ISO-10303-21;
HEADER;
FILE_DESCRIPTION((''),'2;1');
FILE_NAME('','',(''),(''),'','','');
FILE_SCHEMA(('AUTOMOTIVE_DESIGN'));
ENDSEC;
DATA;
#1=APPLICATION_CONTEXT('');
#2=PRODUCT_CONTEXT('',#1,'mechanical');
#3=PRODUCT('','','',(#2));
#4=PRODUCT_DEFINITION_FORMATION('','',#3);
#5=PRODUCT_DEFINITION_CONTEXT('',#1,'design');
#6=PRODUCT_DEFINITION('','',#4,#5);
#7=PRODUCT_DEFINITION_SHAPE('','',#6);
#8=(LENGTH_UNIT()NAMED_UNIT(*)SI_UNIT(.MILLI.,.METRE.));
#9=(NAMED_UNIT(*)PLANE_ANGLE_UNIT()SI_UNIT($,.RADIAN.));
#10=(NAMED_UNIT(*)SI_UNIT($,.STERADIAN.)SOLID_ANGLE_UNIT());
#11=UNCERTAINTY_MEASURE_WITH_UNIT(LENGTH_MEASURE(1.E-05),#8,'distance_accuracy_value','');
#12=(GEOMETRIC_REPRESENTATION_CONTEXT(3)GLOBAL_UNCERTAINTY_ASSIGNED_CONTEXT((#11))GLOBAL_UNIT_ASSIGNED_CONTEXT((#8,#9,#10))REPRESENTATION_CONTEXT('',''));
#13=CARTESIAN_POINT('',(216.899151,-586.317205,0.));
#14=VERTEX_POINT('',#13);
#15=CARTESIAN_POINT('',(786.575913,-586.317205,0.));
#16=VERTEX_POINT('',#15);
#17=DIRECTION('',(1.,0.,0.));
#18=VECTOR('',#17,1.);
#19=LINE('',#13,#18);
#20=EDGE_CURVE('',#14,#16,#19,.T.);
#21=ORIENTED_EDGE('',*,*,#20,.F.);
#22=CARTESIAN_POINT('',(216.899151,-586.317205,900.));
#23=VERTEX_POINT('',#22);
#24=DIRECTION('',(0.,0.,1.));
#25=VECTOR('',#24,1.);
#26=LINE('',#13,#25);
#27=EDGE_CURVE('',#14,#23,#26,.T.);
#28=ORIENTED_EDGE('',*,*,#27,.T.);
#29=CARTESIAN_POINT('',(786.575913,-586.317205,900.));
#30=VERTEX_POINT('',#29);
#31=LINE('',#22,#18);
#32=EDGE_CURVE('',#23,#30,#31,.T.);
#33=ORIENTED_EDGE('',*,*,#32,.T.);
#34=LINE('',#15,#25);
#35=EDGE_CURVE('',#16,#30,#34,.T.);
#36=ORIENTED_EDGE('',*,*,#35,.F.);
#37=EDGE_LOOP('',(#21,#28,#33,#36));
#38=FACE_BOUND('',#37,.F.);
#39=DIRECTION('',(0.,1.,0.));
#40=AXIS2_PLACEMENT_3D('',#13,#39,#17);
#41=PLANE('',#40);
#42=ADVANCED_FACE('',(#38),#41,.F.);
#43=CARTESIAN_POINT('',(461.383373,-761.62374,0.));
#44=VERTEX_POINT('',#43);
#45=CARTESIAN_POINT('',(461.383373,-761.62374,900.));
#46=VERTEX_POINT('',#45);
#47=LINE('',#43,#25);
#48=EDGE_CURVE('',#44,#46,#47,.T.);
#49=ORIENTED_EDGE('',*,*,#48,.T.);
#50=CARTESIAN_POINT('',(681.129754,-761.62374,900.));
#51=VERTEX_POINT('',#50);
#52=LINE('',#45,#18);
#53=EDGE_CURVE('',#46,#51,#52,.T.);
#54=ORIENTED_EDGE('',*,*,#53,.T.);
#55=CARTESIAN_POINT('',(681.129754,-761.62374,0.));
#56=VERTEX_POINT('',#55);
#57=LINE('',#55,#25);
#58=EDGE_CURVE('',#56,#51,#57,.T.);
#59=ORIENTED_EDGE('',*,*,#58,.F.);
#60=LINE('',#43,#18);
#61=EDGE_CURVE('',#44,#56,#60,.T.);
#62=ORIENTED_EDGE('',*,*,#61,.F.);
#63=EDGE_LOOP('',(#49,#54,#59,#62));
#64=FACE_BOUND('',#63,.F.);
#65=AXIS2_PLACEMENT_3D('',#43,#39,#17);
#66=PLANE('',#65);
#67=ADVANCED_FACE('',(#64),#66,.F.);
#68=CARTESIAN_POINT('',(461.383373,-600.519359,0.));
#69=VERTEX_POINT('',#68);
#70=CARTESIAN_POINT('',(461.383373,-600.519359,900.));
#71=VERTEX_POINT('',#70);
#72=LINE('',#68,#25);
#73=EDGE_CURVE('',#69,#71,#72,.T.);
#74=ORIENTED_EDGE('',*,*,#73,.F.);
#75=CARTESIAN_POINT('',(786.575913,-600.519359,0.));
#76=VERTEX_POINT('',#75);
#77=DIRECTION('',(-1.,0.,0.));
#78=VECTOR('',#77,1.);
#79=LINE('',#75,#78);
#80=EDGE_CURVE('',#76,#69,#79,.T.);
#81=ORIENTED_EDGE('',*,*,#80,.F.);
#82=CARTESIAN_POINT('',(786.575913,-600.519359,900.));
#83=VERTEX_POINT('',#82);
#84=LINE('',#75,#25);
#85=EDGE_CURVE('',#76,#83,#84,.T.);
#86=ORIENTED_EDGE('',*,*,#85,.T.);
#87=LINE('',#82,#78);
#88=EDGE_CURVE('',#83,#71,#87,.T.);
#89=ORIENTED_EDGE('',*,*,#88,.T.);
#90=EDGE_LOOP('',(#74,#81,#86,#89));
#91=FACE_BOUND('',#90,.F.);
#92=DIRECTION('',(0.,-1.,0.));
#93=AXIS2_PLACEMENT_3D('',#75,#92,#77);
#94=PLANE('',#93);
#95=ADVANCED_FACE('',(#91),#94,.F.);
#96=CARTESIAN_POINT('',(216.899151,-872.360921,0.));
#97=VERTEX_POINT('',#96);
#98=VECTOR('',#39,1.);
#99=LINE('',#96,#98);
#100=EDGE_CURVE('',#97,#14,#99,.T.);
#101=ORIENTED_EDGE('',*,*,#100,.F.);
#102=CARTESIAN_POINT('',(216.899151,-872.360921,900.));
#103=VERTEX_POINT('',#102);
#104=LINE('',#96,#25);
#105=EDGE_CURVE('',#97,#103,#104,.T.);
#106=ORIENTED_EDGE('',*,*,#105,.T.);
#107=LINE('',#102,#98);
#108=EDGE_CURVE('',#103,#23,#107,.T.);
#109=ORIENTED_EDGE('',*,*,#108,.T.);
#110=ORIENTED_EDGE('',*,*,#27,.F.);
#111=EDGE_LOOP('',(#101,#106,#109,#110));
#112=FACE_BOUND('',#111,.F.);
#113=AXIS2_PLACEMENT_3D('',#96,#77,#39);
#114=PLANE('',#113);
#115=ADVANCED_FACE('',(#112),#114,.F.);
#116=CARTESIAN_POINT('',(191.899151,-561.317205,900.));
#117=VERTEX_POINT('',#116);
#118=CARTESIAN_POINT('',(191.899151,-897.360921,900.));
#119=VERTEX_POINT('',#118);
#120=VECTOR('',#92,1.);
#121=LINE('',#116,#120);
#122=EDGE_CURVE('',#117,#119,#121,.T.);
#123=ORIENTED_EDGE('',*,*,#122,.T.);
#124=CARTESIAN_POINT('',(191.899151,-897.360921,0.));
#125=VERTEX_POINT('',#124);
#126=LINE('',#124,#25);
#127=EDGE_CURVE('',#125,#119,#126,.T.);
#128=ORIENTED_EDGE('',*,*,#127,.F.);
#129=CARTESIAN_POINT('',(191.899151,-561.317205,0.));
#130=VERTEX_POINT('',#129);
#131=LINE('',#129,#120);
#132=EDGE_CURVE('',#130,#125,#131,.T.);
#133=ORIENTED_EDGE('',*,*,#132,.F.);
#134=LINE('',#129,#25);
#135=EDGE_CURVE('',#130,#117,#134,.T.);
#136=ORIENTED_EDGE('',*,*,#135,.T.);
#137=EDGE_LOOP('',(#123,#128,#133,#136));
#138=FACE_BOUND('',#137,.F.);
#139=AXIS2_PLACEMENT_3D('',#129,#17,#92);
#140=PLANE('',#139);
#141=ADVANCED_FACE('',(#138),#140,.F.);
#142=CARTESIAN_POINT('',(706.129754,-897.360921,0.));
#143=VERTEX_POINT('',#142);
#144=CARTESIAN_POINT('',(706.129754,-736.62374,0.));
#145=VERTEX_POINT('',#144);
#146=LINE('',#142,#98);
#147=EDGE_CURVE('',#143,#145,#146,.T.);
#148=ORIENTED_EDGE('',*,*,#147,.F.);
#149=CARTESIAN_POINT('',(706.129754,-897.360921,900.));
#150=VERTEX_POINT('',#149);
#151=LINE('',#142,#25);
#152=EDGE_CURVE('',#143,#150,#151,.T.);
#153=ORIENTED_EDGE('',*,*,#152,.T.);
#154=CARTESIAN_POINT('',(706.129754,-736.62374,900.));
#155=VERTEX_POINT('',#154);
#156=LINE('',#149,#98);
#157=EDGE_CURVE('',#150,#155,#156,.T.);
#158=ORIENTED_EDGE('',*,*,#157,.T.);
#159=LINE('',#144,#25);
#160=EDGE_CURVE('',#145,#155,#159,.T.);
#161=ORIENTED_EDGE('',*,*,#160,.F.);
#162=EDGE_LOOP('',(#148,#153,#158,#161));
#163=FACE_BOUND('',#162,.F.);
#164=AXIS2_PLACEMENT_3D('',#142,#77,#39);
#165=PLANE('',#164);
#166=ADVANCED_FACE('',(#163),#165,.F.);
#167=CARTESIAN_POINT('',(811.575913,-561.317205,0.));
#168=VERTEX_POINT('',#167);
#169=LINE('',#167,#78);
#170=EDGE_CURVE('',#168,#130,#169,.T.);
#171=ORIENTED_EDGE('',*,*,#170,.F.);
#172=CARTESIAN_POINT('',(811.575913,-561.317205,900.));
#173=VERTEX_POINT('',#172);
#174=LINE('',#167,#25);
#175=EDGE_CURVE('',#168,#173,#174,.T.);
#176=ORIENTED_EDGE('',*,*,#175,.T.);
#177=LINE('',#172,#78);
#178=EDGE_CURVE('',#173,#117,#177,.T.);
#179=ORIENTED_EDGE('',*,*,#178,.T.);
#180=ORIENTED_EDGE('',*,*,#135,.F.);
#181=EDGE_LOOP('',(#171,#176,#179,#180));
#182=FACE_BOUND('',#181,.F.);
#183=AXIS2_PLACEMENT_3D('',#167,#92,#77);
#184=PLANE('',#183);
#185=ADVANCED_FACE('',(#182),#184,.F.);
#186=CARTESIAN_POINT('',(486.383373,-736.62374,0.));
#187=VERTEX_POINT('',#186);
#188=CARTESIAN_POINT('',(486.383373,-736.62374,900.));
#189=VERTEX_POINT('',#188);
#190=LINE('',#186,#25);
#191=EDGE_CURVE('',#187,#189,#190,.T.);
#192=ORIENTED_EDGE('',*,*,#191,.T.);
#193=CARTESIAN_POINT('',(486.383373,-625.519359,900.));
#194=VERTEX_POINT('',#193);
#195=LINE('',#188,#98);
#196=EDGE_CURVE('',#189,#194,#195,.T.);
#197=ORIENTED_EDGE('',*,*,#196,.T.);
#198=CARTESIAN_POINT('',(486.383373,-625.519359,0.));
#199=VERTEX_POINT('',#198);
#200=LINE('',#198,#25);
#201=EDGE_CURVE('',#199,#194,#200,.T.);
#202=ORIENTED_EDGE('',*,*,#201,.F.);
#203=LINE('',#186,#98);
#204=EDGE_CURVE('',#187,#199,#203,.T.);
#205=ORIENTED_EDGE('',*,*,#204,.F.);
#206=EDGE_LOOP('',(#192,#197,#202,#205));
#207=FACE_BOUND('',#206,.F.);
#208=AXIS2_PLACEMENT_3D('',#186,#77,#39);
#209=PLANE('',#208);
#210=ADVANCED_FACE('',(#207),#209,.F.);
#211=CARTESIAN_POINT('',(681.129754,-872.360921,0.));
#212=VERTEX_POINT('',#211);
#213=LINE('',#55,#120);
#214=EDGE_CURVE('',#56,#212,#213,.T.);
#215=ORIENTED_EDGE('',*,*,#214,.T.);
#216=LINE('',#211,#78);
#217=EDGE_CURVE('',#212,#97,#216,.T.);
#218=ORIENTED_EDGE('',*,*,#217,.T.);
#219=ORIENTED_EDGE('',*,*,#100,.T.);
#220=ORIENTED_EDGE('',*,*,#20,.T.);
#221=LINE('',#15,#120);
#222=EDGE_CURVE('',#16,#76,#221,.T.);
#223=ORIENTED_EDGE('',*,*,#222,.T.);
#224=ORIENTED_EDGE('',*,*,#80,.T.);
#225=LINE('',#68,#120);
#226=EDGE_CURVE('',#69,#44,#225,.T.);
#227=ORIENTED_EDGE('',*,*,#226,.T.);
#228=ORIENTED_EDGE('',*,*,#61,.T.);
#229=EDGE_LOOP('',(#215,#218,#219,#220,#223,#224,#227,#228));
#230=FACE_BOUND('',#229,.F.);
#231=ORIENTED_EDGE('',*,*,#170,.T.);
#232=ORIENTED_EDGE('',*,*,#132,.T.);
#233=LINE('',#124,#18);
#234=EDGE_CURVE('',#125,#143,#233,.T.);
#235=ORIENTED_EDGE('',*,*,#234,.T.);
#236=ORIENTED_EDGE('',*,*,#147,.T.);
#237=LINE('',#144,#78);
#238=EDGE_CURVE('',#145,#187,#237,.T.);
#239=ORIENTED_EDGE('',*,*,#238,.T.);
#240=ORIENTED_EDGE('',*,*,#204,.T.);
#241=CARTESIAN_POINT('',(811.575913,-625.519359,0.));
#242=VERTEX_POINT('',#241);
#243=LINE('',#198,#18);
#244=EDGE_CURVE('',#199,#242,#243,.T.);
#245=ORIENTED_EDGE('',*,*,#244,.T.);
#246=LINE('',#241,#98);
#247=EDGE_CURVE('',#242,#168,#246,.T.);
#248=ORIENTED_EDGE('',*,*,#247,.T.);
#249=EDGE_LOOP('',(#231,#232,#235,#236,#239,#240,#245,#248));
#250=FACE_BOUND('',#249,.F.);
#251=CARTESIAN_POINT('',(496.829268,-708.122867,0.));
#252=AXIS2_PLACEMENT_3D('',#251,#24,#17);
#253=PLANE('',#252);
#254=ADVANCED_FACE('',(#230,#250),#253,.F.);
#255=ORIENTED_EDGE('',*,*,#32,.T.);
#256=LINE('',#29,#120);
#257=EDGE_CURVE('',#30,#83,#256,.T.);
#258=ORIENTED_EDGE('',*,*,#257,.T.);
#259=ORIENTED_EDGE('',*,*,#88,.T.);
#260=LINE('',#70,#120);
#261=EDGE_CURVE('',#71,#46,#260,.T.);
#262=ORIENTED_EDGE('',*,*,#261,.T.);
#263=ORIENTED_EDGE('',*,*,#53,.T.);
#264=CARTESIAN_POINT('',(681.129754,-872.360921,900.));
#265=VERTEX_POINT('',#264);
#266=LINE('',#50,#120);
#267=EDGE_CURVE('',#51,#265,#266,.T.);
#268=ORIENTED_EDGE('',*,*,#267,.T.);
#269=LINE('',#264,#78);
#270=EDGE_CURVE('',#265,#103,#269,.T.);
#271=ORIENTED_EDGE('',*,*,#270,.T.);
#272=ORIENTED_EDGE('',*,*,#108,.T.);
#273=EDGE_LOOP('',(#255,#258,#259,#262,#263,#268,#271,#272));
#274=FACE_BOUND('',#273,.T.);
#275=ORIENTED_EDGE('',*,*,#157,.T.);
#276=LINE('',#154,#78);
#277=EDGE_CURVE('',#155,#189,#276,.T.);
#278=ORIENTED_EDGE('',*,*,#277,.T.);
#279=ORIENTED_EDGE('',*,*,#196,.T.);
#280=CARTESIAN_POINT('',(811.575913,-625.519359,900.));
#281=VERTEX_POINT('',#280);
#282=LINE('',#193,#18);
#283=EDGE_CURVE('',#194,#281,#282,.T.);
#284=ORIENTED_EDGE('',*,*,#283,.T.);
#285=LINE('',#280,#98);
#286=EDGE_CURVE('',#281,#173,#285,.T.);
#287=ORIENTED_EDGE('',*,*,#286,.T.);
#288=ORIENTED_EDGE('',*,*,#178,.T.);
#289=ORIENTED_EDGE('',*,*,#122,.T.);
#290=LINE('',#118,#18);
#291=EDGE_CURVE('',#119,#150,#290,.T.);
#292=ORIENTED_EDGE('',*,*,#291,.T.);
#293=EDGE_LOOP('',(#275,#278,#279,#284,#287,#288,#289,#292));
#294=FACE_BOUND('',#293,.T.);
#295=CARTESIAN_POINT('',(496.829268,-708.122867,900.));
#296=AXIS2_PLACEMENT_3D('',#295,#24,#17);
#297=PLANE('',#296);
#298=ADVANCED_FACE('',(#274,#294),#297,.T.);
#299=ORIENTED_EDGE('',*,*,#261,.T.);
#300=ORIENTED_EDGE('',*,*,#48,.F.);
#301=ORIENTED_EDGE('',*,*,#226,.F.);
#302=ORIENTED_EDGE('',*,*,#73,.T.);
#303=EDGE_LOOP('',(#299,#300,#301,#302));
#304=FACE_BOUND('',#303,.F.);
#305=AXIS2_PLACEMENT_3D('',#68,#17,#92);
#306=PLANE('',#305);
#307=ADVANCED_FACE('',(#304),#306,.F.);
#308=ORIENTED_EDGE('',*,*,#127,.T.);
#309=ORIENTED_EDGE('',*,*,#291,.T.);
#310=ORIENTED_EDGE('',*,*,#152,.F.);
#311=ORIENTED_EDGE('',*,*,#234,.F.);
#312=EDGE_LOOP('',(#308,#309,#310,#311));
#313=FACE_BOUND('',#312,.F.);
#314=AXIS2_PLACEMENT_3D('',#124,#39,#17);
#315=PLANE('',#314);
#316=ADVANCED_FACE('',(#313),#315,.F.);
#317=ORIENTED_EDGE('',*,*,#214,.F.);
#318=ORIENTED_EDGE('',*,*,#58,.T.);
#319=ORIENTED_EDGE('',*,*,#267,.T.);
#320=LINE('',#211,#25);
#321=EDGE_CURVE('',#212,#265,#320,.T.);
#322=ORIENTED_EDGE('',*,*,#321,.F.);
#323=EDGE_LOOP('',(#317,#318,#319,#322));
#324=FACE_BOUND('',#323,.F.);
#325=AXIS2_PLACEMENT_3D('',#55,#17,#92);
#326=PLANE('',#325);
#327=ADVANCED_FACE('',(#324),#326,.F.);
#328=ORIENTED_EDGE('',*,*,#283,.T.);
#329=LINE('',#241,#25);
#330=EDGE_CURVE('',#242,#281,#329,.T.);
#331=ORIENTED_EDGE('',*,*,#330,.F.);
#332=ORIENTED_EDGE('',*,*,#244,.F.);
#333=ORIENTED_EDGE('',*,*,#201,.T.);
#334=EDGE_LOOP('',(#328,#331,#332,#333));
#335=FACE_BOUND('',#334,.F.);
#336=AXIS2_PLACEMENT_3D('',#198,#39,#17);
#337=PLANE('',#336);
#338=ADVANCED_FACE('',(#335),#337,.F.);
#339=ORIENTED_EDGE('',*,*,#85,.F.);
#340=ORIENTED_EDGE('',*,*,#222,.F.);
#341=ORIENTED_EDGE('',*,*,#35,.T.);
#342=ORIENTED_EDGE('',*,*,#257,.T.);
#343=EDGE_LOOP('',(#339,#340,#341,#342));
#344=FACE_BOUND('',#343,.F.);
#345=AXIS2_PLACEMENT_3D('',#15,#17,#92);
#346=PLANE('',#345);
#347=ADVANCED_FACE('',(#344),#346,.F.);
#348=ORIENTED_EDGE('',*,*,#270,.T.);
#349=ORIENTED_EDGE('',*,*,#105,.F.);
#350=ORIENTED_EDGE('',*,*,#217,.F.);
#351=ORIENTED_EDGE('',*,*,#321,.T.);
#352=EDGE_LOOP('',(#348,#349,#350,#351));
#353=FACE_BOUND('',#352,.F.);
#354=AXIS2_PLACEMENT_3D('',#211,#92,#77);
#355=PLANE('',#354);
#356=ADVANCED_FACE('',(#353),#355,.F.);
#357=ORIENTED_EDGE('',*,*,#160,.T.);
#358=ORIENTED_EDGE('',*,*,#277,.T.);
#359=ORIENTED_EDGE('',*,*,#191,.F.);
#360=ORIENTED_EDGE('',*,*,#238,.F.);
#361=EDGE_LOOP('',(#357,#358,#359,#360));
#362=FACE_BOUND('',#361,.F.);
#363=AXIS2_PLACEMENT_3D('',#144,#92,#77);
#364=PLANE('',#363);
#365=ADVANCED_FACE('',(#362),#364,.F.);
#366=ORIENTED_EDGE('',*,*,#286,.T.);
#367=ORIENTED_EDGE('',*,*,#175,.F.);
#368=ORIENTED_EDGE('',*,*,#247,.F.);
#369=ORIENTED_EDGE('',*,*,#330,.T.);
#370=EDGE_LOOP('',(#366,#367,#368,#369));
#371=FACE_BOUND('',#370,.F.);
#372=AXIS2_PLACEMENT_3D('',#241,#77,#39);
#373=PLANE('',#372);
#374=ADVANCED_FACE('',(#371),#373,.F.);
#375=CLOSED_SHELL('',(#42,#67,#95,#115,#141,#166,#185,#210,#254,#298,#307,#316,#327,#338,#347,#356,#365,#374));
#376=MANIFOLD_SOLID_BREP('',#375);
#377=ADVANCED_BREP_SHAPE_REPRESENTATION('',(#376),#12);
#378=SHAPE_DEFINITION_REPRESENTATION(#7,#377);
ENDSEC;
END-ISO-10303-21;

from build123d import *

# Parameters (mm, degrees)
F1_DEPTH = 900


with BuildPart() as f1:
    # F0 (on Top) → F1 (new body)
    with BuildSketch(Plane.XY):
        Polygon((811.575913, -561.317205), (703.173161, -561.317205), (191.899151, -561.317205), (191.899151, -897.360921), (706.129754, -897.360921), (706.129754, -736.62374), (486.383373, -736.62374), (486.383373, -625.519359), (811.575913, -625.519359), align=None)
        Polygon((216.899151, -586.317205), (703.173161, -586.317205), (786.575913, -586.317205), (786.575913, -600.519359), (461.383373, -600.519359), (461.383373, -761.62374), (681.129754, -761.62374), (681.129754, -872.360921), (216.899151, -872.360921), align=None, mode=Mode.SUBTRACT)
    extrude(amount=F1_DEPTH)


solid = f1.part
